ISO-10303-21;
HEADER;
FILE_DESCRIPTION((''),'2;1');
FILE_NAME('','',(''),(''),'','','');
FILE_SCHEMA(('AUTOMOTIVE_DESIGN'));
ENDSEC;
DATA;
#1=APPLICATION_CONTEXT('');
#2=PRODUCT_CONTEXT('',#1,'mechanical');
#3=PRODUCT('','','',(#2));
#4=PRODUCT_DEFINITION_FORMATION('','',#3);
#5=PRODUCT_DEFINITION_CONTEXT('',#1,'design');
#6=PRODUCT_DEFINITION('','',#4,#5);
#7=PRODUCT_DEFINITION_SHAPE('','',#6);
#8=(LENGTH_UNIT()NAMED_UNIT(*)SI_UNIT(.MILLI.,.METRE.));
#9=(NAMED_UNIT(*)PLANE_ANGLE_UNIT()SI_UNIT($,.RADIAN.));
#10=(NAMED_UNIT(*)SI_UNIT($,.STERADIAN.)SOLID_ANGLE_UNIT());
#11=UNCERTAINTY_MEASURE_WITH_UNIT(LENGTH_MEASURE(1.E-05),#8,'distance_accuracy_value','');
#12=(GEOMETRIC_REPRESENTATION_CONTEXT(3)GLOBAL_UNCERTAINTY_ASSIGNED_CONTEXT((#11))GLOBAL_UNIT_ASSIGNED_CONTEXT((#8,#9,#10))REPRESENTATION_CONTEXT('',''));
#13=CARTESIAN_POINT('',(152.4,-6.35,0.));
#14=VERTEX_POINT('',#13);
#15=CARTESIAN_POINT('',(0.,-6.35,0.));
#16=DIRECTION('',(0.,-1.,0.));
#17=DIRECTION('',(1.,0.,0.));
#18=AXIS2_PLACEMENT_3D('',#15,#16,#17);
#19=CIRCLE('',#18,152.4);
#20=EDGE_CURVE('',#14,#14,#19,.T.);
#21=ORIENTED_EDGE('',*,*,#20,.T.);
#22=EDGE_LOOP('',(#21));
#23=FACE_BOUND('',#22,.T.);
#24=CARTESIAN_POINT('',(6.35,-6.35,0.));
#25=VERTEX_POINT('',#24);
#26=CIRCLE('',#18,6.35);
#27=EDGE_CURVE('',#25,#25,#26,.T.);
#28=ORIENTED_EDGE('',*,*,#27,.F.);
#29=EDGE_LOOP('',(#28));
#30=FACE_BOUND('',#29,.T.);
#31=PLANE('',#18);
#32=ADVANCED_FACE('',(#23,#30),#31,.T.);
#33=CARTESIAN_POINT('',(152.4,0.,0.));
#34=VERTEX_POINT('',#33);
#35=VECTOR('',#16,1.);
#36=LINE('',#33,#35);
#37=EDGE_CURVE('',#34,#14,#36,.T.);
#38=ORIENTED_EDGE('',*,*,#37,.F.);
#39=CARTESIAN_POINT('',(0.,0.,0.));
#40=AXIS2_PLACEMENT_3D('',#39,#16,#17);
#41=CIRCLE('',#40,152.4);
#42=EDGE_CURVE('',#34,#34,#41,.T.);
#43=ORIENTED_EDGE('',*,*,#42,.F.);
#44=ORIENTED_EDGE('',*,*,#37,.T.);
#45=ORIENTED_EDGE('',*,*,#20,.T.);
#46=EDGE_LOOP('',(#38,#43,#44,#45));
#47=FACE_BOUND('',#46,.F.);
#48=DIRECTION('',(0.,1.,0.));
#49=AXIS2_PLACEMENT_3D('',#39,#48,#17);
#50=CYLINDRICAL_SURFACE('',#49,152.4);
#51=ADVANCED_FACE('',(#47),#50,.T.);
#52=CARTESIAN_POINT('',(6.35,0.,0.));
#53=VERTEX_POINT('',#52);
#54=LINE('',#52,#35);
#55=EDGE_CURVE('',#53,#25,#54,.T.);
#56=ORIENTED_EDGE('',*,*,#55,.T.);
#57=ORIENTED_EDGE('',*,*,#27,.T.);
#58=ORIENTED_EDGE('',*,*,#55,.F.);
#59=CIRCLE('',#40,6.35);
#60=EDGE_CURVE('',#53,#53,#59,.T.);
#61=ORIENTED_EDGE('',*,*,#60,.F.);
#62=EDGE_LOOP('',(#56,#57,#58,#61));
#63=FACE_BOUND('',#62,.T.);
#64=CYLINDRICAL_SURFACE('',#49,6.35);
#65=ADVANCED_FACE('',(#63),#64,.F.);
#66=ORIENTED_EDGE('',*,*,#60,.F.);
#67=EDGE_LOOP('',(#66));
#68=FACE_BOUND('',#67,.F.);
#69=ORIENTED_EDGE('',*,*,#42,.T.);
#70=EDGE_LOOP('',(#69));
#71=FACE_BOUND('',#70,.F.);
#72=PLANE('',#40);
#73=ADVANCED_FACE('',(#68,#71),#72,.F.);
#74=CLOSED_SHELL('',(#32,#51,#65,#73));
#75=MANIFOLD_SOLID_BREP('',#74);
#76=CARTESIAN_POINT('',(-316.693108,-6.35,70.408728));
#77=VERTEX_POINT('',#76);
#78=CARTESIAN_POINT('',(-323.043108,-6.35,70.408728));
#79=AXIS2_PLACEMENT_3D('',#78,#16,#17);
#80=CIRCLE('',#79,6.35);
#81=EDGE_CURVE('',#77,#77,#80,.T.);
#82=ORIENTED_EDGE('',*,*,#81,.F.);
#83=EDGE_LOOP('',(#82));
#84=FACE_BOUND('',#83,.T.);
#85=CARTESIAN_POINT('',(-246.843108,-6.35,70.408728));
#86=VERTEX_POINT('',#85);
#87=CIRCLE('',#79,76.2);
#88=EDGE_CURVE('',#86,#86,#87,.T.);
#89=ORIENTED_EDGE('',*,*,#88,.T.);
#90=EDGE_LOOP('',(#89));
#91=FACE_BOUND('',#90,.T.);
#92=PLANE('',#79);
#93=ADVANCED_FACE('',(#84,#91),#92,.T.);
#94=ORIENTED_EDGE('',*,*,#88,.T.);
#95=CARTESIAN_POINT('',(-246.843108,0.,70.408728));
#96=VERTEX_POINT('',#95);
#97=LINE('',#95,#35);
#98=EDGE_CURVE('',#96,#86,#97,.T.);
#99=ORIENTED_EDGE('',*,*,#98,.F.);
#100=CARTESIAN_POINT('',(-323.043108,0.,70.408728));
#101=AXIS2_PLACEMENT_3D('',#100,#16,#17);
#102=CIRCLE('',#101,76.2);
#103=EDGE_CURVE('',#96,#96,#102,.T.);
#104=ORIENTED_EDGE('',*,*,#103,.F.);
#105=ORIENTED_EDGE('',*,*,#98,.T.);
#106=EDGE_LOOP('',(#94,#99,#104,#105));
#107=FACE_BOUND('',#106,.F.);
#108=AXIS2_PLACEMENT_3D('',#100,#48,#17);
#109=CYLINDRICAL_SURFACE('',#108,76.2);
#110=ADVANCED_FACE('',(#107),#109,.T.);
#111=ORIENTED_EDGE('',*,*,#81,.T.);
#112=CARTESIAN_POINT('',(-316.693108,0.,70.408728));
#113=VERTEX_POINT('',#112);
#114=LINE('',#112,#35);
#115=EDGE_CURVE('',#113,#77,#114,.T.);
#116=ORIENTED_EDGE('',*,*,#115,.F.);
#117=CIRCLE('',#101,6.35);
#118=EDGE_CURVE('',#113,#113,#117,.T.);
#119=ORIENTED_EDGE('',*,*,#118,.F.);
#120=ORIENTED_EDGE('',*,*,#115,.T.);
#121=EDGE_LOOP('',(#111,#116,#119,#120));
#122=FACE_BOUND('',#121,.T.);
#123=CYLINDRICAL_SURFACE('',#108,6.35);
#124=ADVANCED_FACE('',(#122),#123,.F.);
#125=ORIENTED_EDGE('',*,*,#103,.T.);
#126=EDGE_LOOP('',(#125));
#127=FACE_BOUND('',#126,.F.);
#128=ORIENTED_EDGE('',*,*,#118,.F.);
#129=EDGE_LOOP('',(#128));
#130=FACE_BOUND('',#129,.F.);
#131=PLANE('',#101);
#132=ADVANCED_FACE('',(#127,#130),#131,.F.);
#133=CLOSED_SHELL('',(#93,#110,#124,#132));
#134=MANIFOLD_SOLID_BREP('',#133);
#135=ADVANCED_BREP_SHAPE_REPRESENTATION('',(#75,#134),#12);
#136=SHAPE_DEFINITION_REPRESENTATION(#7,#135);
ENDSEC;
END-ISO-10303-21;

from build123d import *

# Parameters (mm, degrees)
F1_R     = 76.2
F1_R_2   = 6.35
F0_R     = 152.4
F0_R_2   = 6.35
F2_DEPTH = 6.35


with BuildPart() as f2:
    # F1 (on Front) + F0 (on Front) → F2 (new body)
    with BuildSketch(Plane.XZ):
        with Locations((-323.043108, 70.408728)):
            Circle(F1_R)
        with Locations((-323.043108, 70.408728)):
            Circle(F1_R_2, mode=Mode.SUBTRACT)
    with BuildSketch(Plane.XZ):
        Circle(F0_R)
        Circle(F0_R_2, mode=Mode.SUBTRACT)
    extrude(amount=F2_DEPTH)


solid = f2.part
